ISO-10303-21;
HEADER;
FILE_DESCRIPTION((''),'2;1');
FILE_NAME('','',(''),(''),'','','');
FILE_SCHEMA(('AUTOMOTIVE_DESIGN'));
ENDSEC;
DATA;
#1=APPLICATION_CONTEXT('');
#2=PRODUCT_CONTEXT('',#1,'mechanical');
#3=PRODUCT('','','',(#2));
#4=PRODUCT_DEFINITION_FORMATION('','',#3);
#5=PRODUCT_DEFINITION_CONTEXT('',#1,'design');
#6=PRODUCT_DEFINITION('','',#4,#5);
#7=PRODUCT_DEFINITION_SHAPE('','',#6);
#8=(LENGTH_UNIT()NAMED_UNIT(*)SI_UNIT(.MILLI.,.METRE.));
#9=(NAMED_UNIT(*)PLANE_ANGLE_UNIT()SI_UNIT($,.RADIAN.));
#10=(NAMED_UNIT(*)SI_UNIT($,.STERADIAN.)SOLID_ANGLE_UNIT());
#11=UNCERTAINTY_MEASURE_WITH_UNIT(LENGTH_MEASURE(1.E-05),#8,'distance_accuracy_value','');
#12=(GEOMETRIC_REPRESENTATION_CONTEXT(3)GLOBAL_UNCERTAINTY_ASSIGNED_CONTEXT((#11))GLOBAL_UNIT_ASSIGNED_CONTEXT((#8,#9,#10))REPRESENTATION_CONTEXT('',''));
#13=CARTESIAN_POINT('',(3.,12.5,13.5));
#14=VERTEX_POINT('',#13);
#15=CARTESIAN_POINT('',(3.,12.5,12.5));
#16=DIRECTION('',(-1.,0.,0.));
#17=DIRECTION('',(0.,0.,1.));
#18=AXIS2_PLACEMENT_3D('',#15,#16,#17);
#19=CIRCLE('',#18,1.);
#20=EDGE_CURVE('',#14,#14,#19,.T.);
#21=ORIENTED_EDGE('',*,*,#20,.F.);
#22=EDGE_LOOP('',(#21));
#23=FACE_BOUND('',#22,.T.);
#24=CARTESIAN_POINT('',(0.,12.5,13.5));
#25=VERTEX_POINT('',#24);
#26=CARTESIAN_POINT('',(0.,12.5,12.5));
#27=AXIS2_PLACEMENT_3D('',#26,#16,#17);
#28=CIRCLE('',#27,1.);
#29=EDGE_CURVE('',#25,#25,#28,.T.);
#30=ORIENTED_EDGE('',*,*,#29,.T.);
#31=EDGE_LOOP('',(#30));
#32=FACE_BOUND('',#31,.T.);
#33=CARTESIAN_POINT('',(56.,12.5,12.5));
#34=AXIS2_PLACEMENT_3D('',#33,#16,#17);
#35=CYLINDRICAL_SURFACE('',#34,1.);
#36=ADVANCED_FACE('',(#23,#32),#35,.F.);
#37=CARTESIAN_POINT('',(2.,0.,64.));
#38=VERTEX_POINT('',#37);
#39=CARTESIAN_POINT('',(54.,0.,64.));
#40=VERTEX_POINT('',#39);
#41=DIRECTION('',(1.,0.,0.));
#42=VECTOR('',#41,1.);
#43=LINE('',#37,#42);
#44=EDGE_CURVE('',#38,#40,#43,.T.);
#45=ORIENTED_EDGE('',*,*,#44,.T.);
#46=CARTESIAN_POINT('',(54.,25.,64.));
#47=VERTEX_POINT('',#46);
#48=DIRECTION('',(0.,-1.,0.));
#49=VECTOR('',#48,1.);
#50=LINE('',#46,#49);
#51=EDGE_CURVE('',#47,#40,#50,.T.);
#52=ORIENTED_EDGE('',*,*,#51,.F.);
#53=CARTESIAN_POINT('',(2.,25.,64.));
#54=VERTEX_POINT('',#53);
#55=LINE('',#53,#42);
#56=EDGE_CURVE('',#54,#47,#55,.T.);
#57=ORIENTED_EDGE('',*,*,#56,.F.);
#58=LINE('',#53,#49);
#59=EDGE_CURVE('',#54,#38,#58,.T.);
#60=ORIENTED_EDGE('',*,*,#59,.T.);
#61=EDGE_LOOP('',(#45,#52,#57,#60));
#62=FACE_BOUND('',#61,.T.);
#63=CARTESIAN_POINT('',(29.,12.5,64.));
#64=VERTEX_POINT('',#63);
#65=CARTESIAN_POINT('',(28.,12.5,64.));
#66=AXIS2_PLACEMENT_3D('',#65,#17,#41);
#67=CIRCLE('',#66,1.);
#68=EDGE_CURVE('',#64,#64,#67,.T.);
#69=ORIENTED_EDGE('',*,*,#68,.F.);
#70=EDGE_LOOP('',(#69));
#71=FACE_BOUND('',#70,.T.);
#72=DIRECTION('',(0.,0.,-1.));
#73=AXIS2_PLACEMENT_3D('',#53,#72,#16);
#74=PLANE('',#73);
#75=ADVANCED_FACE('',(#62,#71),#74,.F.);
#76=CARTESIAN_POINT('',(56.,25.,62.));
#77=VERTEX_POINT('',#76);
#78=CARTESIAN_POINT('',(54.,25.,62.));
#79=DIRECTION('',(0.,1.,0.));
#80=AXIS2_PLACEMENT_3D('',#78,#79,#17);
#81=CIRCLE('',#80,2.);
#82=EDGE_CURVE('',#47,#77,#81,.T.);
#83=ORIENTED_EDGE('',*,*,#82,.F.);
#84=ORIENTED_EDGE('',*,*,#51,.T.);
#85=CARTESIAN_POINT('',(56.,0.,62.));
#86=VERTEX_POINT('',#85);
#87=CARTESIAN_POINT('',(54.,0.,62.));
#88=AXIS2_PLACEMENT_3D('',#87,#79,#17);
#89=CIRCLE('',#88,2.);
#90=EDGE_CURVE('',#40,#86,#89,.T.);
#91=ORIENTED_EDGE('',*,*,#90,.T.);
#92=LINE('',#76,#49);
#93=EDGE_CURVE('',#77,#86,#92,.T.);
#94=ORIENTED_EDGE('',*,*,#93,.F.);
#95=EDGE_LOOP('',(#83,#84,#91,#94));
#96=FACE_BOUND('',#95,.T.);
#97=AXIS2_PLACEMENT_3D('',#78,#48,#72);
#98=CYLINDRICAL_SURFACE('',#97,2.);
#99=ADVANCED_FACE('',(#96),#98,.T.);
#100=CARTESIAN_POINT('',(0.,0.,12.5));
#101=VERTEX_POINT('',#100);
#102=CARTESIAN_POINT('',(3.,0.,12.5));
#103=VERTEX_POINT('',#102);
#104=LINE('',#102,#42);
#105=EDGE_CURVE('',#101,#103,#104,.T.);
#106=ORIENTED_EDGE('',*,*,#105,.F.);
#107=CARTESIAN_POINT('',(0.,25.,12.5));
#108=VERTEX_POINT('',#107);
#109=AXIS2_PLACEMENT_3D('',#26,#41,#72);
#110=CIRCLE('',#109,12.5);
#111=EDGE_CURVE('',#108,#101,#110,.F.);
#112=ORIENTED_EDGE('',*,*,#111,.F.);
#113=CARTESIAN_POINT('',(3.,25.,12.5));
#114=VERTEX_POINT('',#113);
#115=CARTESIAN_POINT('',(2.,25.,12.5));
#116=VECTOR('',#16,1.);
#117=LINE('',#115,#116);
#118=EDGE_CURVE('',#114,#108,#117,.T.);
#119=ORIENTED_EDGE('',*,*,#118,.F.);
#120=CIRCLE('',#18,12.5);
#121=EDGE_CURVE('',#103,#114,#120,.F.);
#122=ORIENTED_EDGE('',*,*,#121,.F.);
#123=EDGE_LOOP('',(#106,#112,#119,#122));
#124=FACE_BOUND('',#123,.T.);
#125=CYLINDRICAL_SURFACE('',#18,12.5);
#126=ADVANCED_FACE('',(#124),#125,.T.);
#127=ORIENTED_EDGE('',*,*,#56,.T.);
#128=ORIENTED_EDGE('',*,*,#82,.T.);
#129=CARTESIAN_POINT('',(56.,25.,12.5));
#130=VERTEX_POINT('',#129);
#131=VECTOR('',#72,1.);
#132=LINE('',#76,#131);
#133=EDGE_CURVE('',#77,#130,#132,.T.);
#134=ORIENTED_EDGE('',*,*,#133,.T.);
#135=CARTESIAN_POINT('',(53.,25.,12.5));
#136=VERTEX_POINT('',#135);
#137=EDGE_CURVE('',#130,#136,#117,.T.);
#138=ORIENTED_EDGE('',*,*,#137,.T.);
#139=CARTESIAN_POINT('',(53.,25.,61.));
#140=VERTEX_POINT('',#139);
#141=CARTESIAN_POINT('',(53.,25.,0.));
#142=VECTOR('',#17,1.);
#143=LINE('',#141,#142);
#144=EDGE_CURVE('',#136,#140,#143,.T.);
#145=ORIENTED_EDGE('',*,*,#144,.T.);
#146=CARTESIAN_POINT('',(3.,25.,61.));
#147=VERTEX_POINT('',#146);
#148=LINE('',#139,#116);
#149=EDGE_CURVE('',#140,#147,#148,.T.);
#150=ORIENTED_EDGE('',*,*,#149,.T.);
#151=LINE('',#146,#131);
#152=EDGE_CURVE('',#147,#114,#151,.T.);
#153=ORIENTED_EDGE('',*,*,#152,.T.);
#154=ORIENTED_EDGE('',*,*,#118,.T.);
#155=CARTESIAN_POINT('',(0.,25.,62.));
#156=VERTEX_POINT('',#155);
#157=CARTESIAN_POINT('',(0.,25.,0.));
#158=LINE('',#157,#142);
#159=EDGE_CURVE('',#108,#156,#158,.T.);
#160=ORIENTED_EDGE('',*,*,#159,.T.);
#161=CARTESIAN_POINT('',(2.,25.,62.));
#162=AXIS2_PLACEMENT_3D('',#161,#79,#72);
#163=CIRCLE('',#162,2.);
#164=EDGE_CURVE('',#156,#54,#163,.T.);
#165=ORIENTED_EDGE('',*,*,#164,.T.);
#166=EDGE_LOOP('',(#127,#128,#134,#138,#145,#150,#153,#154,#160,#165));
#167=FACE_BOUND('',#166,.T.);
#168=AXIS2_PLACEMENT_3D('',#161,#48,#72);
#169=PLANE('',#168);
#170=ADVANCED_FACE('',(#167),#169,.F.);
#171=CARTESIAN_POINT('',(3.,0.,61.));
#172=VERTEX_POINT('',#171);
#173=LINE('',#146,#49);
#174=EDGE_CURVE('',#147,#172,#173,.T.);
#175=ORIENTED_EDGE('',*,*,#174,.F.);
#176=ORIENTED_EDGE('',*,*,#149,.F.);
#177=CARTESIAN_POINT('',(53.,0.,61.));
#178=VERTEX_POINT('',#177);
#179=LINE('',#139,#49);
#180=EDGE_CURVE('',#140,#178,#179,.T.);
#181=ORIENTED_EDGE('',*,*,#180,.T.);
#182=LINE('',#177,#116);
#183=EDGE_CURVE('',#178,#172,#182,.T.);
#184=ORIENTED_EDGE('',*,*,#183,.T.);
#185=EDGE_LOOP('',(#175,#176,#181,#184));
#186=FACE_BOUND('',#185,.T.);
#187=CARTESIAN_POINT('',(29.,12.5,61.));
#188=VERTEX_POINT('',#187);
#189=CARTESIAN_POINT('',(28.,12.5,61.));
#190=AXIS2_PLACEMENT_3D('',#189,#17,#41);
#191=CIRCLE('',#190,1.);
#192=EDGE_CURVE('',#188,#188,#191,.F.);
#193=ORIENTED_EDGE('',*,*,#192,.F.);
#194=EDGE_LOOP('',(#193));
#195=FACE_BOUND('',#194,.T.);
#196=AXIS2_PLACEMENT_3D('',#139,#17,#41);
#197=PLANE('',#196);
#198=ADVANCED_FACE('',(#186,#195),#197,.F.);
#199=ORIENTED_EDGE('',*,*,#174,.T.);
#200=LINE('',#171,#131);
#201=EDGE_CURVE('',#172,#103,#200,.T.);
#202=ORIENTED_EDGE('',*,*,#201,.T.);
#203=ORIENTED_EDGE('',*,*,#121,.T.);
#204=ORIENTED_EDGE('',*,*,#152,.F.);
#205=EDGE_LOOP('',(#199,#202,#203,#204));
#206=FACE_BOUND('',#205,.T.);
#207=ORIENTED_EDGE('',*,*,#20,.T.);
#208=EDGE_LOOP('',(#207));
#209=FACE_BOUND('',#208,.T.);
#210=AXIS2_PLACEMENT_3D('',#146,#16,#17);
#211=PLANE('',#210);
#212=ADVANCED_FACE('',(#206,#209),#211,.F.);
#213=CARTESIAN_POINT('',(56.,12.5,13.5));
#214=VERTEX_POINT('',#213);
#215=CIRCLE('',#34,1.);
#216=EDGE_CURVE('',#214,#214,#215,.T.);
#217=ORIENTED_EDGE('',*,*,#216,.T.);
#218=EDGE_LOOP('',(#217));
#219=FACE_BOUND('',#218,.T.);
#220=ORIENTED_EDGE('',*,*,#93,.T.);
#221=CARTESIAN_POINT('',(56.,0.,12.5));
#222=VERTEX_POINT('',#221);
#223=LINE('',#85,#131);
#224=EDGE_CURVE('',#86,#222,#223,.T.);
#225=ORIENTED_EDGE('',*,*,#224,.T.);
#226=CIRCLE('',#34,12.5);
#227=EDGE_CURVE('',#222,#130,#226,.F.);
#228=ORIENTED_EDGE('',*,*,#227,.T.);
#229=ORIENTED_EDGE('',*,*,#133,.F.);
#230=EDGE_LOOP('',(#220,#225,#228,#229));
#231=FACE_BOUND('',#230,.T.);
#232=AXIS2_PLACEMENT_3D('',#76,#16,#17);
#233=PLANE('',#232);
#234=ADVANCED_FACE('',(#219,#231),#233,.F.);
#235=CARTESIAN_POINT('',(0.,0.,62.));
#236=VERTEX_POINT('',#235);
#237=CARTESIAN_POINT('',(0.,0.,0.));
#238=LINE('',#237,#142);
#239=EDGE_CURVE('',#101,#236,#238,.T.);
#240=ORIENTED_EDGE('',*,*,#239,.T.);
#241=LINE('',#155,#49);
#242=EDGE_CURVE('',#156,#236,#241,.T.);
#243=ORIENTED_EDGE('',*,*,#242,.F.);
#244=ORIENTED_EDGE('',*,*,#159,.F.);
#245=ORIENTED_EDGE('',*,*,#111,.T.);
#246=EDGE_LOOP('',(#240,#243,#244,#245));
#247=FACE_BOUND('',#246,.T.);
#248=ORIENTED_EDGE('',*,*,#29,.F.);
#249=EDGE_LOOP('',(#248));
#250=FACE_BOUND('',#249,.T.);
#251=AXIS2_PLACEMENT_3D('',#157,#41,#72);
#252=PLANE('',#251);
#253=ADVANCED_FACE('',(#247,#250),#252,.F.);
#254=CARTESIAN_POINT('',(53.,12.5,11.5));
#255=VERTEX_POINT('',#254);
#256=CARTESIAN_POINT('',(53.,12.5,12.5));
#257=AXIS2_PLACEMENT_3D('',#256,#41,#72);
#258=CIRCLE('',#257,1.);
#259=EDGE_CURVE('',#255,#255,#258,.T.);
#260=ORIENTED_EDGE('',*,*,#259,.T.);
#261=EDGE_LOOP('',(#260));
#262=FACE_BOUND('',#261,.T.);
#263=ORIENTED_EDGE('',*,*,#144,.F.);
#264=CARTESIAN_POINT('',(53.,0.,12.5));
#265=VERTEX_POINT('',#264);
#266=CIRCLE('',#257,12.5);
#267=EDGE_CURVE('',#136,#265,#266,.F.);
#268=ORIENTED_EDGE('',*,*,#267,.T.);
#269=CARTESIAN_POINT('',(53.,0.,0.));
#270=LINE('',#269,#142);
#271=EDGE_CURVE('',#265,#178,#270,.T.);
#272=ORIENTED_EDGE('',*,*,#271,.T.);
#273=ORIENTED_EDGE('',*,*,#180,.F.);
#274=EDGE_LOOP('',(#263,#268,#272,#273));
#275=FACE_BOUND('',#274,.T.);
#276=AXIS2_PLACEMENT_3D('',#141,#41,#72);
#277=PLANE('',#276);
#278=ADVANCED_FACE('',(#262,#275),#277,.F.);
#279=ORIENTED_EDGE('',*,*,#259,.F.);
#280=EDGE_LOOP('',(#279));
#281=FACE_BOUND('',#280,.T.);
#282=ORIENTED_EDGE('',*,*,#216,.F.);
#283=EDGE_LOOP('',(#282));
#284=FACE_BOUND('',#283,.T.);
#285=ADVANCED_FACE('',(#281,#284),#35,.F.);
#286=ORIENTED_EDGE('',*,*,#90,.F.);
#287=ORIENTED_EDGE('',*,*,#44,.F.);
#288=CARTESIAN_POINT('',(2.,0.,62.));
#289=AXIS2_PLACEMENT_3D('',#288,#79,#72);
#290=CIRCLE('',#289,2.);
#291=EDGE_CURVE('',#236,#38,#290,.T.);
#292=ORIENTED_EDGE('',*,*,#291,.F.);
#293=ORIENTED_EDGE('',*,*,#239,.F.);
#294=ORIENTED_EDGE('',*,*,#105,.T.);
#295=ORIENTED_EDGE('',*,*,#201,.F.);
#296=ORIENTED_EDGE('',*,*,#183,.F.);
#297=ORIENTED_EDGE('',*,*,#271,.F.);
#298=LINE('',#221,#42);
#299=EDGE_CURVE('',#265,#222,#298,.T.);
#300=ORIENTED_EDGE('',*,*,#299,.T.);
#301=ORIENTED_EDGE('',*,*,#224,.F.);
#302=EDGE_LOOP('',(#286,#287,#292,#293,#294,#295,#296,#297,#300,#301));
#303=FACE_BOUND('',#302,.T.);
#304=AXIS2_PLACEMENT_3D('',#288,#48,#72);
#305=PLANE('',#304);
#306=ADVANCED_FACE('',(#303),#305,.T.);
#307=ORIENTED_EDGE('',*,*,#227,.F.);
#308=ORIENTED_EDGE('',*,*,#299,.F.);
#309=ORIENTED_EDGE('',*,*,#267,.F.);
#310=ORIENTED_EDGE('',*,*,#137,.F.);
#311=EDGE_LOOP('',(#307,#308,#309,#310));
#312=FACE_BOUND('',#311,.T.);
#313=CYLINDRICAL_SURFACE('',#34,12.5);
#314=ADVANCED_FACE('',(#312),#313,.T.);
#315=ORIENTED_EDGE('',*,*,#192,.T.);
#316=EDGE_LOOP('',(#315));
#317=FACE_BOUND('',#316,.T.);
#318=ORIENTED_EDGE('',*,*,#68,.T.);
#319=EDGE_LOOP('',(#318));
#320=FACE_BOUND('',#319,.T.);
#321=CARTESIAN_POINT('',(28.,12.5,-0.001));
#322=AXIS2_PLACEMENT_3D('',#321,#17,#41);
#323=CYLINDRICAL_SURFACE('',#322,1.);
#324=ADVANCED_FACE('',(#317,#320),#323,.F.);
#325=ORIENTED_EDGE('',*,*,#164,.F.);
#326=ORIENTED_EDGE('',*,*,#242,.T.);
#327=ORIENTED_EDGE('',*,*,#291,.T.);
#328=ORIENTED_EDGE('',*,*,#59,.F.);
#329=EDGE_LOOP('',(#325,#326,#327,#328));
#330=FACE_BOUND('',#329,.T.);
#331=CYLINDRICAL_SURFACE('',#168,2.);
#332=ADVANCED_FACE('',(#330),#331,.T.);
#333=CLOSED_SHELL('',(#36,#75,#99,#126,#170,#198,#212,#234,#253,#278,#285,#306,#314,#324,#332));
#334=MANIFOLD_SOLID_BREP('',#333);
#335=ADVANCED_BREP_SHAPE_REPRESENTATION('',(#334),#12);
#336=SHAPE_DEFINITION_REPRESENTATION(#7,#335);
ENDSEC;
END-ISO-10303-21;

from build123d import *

# Parameters (mm, degrees)
BOSS_EXTRUDE1_DEPTH = 25
FILLET1_RADIUS      = 12.5
FILLET1_LENGTH      = 3
FILLET2_RADIUS      = 12.5
FILLET2_LENGTH      = 3
CUT_EXTRUDE1_DEPTH  = 89.639720216
CUT_EXTRUDE2_REACH  = 90.64


with BuildPart() as part:
    # Sketch1 → Boss-Extrude1 (new body)
    with BuildSketch(Plane(origin=(0, 0, 0), x_dir=(1, 0, 0), z_dir=(0, 1, 0))):
        with BuildLine():
            Line((0, 0), (0, -62))
            ThreePointArc((0, -62), (0.585786438, -63.414213562), (2, -64))
            Line((2, -64), (54, -64))
            ThreePointArc((54, -64), (55.414213562, -63.414213562), (56, -62))
            Line((56, -62), (56, 0))
            Line((56, 0), (53, 0))
            Line((53, 0), (53, -61))
            Line((53, -61), (3, -61))
            Line((3, -61), (3, 0))
            Line((3, 0), (0, 0))
        make_face()
    extrude(amount=BOSS_EXTRUDE1_DEPTH)

    # Fillet1: full round fillet: the end face becomes a half cylinder, R = half its width
    fillet1_face = Plane((1.5, 12.5, 0), x_dir=(-1, 0, 0), z_dir=(0, 0, -1))  # on the end face: x along it, z out of the body
    fillet1_slab = fillet1_face.offset(-FILLET1_RADIUS / 2) * Box(FILLET1_LENGTH, 2 * FILLET1_RADIUS, FILLET1_RADIUS, mode=Mode.PRIVATE)  # the body's end, R deep
    fillet1_round = Plane((1.5, 12.5, 12.5), x_dir=(0, 0, -1), z_dir=(-1, 0, 0)) * Cylinder(FILLET1_RADIUS, FILLET1_LENGTH, mode=Mode.PRIVATE)  # its axis R under the face
    add(fillet1_slab - fillet1_round, mode=Mode.SUBTRACT)

    # Fillet2: full round fillet: the end face becomes a half cylinder, R = half its width
    fillet2_face = Plane((54.5, 12.5, 0), x_dir=(-1, 0, 0), z_dir=(0, 0, -1))  # on the end face: x along it, z out of the body
    fillet2_slab = fillet2_face.offset(-FILLET2_RADIUS / 2) * Box(FILLET2_LENGTH, 2 * FILLET2_RADIUS, FILLET2_RADIUS, mode=Mode.PRIVATE)  # the body's end, R deep
    fillet2_round = Plane((54.5, 12.5, 12.5), x_dir=(0, 0, -1), z_dir=(-1, 0, 0)) * Cylinder(FILLET2_RADIUS, FILLET2_LENGTH, mode=Mode.PRIVATE)  # its axis R under the face
    add(fillet2_slab - fillet2_round, mode=Mode.SUBTRACT)

    # Sketch3 → Cut-Extrude1 (cut, through all)
    with BuildSketch(Plane.ZY):
        with BuildLine():
            ThreePointArc((13.5, 12.5), (13.207106781, 13.207106781), (12.5, 13.5))
            Line((12.5, 13.5), (12.5, 11.5))
            ThreePointArc((12.5, 11.5), (13.207106781, 11.792893219), (13.5, 12.5))
        make_face()
        with BuildLine():
            Line((12.5, 11.5), (12.5, 13.5))
            ThreePointArc((12.5, 13.5), (11.5, 12.5), (12.5, 11.5))
        make_face()
    extrude(amount=-CUT_EXTRUDE1_DEPTH, mode=Mode.SUBTRACT)

    # Sketch4 → Cut-Extrude2 (cut, up to next)
    with BuildSketch(Plane.XY.offset(64), mode=Mode.PRIVATE) as cut_extrude2_sk1:
        with BuildLine():
            ThreePointArc((29, 12.5), (28, 13.5), (27, 12.5))
            Line((27, 12.5), (29, 12.5))
        make_face()
    cut_extrude2_tool1 = extrude(cut_extrude2_sk1.sketch, amount=-CUT_EXTRUDE2_REACH, mode=Mode.PRIVATE) & part.part
    # Sketch4 → Cut-Extrude2 (cut, up to next)
    with BuildSketch(Plane.XY.offset(64), mode=Mode.PRIVATE) as cut_extrude2_sk2:
        with BuildLine():
            Line((29, 12.5), (27, 12.5))
            ThreePointArc((27, 12.5), (28, 11.5), (29, 12.5))
        make_face()
    cut_extrude2_tool2 = extrude(cut_extrude2_sk2.sketch, amount=-CUT_EXTRUDE2_REACH, mode=Mode.PRIVATE) & part.part
    # Sketch4 → Cut-Extrude2 (cut, up to next)
    with BuildSketch(Plane.XY.offset(64), mode=Mode.PRIVATE) as cut_extrude2_sk3:
        with BuildLine():
            ThreePointArc((29, 12.5), (28, 13.5), (27, 12.5))
            Line((27, 12.5), (29, 12.5))
        make_face()
    cut_extrude2_tool3 = extrude(cut_extrude2_sk3.sketch, amount=-CUT_EXTRUDE2_REACH, mode=Mode.PRIVATE) & part.part
    # Sketch4 → Cut-Extrude2 (cut, up to next)
    with BuildSketch(Plane.XY.offset(64), mode=Mode.PRIVATE) as cut_extrude2_sk4:
        with BuildLine():
            Line((29, 12.5), (27, 12.5))
            ThreePointArc((27, 12.5), (28, 11.5), (29, 12.5))
        make_face()
    cut_extrude2_tool4 = extrude(cut_extrude2_sk4.sketch, amount=-CUT_EXTRUDE2_REACH, mode=Mode.PRIVATE) & part.part
    add(cut_extrude2_tool1.solids().sort_by_distance((28, 12.924413, 64))[0], mode=Mode.SUBTRACT)
    add(cut_extrude2_tool2.solids().sort_by_distance((28, 12.075587, 64))[0], mode=Mode.SUBTRACT)
    add(cut_extrude2_tool3.solids().sort_by_distance((28, 12.924413, 64))[0], mode=Mode.SUBTRACT)
    add(cut_extrude2_tool4.solids().sort_by_distance((28, 12.075587, 64))[0], mode=Mode.SUBTRACT)


solid = part.part
